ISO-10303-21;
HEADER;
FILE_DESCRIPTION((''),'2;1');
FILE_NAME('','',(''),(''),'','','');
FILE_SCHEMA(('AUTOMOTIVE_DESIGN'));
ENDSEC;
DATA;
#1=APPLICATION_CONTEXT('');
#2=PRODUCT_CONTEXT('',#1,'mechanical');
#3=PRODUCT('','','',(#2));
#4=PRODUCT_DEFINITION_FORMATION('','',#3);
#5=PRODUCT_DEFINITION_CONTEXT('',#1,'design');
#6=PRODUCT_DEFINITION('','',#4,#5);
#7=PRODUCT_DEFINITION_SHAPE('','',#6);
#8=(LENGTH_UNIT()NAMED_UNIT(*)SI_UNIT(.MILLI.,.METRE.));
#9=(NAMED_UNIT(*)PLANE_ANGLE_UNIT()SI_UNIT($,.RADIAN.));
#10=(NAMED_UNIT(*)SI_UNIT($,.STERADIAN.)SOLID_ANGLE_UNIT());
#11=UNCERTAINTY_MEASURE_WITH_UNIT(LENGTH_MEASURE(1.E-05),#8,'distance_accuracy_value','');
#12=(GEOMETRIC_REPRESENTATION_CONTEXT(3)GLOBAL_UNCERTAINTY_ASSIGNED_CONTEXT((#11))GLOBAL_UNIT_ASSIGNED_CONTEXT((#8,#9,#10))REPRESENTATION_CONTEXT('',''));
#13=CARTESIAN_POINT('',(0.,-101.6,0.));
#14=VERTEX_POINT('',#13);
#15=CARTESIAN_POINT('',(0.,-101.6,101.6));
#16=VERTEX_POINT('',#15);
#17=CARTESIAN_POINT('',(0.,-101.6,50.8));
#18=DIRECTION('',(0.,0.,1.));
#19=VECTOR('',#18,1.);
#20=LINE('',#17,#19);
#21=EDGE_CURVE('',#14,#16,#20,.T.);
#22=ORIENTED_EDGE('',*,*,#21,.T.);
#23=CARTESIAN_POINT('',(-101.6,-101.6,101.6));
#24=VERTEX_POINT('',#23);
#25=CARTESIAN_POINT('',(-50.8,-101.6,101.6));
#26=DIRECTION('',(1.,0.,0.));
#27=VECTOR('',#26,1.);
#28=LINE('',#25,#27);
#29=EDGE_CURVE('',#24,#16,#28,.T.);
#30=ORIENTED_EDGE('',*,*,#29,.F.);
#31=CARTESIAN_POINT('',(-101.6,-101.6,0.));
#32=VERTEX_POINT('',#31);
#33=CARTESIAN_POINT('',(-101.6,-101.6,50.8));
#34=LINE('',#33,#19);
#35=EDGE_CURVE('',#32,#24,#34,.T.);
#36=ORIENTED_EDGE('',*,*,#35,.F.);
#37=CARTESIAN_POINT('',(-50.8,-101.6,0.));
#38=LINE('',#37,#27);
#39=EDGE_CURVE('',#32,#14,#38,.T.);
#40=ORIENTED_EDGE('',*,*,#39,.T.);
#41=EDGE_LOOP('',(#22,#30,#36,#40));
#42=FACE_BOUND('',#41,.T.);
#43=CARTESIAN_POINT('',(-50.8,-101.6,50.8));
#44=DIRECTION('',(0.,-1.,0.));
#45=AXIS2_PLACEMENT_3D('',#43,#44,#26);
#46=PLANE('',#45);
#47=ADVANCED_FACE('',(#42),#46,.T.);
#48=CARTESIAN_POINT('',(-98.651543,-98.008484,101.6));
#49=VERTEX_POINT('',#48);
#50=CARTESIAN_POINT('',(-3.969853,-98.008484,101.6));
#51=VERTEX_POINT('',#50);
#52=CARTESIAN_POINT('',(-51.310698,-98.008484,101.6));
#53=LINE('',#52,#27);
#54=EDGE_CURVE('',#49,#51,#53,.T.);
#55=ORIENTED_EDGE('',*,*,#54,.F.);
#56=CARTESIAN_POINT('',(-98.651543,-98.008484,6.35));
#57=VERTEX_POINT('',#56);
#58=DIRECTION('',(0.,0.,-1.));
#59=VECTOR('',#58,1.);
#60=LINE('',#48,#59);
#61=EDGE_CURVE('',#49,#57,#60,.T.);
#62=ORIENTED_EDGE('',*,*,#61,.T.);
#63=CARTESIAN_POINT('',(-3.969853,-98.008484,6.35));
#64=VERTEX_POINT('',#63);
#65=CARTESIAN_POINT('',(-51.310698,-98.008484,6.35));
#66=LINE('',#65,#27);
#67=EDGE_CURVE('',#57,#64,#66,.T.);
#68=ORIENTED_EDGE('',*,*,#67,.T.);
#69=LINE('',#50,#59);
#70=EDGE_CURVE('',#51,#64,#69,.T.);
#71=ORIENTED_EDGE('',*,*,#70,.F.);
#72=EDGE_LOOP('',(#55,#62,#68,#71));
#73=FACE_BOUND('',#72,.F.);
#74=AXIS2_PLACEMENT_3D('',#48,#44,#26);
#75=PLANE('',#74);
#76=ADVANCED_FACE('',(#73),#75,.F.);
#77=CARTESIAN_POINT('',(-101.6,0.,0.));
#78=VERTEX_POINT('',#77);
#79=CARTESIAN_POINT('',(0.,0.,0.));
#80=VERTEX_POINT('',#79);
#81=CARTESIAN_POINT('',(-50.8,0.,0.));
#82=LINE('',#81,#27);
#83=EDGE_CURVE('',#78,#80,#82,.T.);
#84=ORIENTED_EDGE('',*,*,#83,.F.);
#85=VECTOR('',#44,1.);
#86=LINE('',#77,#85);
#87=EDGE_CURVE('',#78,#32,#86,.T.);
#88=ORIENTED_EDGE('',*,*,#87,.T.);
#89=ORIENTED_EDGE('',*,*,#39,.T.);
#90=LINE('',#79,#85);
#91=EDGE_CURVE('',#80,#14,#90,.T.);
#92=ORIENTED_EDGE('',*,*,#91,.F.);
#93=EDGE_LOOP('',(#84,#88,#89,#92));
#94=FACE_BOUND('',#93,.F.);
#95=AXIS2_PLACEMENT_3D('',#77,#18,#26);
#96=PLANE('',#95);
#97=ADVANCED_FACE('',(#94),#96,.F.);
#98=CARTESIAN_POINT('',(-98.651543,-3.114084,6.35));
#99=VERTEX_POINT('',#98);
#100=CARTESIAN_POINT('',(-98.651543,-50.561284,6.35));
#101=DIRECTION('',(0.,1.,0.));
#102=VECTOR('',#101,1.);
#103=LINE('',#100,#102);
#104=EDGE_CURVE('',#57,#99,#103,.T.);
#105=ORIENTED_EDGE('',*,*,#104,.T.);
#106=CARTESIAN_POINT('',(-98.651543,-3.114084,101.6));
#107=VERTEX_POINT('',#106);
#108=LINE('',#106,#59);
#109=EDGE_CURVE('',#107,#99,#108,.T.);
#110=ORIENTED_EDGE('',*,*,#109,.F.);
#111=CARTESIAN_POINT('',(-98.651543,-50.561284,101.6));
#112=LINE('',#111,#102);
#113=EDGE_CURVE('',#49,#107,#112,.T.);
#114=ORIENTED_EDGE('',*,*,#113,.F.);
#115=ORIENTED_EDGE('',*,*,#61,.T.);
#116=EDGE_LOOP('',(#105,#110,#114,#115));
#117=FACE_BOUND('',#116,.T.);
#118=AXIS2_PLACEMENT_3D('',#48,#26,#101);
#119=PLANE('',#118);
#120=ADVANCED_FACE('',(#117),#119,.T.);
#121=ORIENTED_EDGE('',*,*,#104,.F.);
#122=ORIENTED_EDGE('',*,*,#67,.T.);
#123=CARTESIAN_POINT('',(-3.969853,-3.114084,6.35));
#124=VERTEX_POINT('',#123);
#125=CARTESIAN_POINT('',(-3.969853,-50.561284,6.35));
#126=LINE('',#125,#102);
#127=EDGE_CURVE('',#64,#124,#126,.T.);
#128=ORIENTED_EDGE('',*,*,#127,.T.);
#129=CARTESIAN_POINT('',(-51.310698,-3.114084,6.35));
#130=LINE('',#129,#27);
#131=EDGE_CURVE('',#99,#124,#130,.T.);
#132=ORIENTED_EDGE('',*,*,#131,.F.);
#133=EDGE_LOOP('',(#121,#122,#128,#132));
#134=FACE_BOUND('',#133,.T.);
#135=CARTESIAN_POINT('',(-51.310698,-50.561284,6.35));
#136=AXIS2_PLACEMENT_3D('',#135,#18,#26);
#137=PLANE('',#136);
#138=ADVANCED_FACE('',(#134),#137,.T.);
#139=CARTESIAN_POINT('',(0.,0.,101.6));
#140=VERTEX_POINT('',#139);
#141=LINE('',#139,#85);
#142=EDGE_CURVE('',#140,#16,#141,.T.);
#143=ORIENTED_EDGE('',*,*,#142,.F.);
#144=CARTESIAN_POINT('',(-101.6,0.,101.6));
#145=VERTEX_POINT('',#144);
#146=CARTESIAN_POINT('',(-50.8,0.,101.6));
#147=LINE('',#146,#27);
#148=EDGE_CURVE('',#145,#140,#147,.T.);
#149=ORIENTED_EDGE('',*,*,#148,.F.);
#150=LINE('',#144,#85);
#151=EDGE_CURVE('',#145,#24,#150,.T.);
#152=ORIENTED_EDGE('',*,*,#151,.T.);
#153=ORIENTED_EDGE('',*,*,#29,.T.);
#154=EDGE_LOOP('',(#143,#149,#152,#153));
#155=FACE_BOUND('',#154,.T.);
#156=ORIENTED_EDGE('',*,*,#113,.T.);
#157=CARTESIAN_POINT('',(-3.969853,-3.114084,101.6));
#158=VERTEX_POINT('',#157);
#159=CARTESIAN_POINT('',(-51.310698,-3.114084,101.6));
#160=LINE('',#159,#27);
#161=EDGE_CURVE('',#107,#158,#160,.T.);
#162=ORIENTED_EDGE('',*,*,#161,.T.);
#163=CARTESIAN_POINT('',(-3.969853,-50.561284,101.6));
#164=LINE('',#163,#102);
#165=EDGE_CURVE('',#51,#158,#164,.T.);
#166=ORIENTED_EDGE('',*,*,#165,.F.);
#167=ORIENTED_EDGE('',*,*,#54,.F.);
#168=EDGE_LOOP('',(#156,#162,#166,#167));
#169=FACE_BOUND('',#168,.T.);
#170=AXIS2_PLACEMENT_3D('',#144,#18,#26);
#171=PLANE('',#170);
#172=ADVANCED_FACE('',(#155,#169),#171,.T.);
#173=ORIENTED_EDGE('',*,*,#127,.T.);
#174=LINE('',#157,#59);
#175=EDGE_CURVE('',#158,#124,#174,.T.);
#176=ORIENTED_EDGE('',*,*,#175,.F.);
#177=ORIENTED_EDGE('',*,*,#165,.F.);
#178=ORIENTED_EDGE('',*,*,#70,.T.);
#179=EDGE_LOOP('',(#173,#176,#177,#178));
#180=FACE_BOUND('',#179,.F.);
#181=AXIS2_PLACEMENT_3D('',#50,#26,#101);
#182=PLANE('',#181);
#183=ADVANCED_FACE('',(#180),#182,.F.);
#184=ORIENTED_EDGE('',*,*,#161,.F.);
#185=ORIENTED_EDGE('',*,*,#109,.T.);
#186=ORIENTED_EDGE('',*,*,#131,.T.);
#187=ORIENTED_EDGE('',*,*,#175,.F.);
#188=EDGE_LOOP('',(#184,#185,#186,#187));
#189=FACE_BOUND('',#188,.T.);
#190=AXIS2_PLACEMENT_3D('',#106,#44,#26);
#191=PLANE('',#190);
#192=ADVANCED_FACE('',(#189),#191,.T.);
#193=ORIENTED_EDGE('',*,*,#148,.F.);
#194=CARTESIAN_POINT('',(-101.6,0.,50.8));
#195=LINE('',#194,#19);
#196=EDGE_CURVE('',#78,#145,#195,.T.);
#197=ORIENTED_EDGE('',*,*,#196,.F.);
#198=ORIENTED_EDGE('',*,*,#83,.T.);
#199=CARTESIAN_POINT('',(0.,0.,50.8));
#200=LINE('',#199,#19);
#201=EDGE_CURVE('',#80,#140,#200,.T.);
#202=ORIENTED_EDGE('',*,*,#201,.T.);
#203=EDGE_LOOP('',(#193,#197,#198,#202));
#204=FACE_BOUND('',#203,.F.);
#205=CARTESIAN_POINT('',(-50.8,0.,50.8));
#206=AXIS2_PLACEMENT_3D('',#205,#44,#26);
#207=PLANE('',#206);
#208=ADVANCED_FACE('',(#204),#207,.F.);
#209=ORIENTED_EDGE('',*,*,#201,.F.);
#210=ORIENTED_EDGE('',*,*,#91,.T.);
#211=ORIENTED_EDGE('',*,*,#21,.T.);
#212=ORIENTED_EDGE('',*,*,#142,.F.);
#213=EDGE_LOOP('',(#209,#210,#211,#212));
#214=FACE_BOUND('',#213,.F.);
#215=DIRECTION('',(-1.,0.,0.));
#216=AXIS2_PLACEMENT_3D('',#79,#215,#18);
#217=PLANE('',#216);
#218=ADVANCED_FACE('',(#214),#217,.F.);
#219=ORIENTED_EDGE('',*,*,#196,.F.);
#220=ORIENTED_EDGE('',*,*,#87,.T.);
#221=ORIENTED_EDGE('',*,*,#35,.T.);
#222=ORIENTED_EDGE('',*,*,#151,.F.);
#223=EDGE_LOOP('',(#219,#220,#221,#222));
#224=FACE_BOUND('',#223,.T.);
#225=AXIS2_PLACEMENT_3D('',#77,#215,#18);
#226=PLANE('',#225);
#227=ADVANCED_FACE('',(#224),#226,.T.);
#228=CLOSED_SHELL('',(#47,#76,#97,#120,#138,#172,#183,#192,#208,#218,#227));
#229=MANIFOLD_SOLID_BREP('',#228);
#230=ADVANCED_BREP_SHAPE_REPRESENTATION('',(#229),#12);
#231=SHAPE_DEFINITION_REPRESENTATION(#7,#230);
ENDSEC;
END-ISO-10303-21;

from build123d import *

# Parameters (mm, degrees)
F0_W       = 101.6
F0_H       = 101.6
F1_DEPTH   = 101.6
F2_W       = 94.6816899814
F2_H       = 94.8944
F1_FACE1_W = 101.6
F1_FACE1_H = 101.6
F3_DEPTH   = 95.25


with BuildPart() as f1:
    # F0 (on Front) → F1 (new body)
    with BuildSketch(Plane.XZ):
        with Locations((-50.8, 50.8)):
            Rectangle(F0_W, F0_H)
    extrude(amount=F1_DEPTH)

    # F2 (on face) + F1_face1 (on face) → F3 (cut)
    with BuildSketch(Plane.XY.offset(101.6)):
        with Locations((-51.3106982689, -50.5612836483)):
            Rectangle(F2_W, F2_H)
    with BuildSketch(Plane(origin=(-50.8, -50.8, 0), x_dir=(1, 0, 0), z_dir=(0, 0, -1))):
        Rectangle(F1_FACE1_W, F1_FACE1_H)
    extrude(amount=-F3_DEPTH, dir=(0, 0, 1), mode=Mode.SUBTRACT)


solid = f1.part
